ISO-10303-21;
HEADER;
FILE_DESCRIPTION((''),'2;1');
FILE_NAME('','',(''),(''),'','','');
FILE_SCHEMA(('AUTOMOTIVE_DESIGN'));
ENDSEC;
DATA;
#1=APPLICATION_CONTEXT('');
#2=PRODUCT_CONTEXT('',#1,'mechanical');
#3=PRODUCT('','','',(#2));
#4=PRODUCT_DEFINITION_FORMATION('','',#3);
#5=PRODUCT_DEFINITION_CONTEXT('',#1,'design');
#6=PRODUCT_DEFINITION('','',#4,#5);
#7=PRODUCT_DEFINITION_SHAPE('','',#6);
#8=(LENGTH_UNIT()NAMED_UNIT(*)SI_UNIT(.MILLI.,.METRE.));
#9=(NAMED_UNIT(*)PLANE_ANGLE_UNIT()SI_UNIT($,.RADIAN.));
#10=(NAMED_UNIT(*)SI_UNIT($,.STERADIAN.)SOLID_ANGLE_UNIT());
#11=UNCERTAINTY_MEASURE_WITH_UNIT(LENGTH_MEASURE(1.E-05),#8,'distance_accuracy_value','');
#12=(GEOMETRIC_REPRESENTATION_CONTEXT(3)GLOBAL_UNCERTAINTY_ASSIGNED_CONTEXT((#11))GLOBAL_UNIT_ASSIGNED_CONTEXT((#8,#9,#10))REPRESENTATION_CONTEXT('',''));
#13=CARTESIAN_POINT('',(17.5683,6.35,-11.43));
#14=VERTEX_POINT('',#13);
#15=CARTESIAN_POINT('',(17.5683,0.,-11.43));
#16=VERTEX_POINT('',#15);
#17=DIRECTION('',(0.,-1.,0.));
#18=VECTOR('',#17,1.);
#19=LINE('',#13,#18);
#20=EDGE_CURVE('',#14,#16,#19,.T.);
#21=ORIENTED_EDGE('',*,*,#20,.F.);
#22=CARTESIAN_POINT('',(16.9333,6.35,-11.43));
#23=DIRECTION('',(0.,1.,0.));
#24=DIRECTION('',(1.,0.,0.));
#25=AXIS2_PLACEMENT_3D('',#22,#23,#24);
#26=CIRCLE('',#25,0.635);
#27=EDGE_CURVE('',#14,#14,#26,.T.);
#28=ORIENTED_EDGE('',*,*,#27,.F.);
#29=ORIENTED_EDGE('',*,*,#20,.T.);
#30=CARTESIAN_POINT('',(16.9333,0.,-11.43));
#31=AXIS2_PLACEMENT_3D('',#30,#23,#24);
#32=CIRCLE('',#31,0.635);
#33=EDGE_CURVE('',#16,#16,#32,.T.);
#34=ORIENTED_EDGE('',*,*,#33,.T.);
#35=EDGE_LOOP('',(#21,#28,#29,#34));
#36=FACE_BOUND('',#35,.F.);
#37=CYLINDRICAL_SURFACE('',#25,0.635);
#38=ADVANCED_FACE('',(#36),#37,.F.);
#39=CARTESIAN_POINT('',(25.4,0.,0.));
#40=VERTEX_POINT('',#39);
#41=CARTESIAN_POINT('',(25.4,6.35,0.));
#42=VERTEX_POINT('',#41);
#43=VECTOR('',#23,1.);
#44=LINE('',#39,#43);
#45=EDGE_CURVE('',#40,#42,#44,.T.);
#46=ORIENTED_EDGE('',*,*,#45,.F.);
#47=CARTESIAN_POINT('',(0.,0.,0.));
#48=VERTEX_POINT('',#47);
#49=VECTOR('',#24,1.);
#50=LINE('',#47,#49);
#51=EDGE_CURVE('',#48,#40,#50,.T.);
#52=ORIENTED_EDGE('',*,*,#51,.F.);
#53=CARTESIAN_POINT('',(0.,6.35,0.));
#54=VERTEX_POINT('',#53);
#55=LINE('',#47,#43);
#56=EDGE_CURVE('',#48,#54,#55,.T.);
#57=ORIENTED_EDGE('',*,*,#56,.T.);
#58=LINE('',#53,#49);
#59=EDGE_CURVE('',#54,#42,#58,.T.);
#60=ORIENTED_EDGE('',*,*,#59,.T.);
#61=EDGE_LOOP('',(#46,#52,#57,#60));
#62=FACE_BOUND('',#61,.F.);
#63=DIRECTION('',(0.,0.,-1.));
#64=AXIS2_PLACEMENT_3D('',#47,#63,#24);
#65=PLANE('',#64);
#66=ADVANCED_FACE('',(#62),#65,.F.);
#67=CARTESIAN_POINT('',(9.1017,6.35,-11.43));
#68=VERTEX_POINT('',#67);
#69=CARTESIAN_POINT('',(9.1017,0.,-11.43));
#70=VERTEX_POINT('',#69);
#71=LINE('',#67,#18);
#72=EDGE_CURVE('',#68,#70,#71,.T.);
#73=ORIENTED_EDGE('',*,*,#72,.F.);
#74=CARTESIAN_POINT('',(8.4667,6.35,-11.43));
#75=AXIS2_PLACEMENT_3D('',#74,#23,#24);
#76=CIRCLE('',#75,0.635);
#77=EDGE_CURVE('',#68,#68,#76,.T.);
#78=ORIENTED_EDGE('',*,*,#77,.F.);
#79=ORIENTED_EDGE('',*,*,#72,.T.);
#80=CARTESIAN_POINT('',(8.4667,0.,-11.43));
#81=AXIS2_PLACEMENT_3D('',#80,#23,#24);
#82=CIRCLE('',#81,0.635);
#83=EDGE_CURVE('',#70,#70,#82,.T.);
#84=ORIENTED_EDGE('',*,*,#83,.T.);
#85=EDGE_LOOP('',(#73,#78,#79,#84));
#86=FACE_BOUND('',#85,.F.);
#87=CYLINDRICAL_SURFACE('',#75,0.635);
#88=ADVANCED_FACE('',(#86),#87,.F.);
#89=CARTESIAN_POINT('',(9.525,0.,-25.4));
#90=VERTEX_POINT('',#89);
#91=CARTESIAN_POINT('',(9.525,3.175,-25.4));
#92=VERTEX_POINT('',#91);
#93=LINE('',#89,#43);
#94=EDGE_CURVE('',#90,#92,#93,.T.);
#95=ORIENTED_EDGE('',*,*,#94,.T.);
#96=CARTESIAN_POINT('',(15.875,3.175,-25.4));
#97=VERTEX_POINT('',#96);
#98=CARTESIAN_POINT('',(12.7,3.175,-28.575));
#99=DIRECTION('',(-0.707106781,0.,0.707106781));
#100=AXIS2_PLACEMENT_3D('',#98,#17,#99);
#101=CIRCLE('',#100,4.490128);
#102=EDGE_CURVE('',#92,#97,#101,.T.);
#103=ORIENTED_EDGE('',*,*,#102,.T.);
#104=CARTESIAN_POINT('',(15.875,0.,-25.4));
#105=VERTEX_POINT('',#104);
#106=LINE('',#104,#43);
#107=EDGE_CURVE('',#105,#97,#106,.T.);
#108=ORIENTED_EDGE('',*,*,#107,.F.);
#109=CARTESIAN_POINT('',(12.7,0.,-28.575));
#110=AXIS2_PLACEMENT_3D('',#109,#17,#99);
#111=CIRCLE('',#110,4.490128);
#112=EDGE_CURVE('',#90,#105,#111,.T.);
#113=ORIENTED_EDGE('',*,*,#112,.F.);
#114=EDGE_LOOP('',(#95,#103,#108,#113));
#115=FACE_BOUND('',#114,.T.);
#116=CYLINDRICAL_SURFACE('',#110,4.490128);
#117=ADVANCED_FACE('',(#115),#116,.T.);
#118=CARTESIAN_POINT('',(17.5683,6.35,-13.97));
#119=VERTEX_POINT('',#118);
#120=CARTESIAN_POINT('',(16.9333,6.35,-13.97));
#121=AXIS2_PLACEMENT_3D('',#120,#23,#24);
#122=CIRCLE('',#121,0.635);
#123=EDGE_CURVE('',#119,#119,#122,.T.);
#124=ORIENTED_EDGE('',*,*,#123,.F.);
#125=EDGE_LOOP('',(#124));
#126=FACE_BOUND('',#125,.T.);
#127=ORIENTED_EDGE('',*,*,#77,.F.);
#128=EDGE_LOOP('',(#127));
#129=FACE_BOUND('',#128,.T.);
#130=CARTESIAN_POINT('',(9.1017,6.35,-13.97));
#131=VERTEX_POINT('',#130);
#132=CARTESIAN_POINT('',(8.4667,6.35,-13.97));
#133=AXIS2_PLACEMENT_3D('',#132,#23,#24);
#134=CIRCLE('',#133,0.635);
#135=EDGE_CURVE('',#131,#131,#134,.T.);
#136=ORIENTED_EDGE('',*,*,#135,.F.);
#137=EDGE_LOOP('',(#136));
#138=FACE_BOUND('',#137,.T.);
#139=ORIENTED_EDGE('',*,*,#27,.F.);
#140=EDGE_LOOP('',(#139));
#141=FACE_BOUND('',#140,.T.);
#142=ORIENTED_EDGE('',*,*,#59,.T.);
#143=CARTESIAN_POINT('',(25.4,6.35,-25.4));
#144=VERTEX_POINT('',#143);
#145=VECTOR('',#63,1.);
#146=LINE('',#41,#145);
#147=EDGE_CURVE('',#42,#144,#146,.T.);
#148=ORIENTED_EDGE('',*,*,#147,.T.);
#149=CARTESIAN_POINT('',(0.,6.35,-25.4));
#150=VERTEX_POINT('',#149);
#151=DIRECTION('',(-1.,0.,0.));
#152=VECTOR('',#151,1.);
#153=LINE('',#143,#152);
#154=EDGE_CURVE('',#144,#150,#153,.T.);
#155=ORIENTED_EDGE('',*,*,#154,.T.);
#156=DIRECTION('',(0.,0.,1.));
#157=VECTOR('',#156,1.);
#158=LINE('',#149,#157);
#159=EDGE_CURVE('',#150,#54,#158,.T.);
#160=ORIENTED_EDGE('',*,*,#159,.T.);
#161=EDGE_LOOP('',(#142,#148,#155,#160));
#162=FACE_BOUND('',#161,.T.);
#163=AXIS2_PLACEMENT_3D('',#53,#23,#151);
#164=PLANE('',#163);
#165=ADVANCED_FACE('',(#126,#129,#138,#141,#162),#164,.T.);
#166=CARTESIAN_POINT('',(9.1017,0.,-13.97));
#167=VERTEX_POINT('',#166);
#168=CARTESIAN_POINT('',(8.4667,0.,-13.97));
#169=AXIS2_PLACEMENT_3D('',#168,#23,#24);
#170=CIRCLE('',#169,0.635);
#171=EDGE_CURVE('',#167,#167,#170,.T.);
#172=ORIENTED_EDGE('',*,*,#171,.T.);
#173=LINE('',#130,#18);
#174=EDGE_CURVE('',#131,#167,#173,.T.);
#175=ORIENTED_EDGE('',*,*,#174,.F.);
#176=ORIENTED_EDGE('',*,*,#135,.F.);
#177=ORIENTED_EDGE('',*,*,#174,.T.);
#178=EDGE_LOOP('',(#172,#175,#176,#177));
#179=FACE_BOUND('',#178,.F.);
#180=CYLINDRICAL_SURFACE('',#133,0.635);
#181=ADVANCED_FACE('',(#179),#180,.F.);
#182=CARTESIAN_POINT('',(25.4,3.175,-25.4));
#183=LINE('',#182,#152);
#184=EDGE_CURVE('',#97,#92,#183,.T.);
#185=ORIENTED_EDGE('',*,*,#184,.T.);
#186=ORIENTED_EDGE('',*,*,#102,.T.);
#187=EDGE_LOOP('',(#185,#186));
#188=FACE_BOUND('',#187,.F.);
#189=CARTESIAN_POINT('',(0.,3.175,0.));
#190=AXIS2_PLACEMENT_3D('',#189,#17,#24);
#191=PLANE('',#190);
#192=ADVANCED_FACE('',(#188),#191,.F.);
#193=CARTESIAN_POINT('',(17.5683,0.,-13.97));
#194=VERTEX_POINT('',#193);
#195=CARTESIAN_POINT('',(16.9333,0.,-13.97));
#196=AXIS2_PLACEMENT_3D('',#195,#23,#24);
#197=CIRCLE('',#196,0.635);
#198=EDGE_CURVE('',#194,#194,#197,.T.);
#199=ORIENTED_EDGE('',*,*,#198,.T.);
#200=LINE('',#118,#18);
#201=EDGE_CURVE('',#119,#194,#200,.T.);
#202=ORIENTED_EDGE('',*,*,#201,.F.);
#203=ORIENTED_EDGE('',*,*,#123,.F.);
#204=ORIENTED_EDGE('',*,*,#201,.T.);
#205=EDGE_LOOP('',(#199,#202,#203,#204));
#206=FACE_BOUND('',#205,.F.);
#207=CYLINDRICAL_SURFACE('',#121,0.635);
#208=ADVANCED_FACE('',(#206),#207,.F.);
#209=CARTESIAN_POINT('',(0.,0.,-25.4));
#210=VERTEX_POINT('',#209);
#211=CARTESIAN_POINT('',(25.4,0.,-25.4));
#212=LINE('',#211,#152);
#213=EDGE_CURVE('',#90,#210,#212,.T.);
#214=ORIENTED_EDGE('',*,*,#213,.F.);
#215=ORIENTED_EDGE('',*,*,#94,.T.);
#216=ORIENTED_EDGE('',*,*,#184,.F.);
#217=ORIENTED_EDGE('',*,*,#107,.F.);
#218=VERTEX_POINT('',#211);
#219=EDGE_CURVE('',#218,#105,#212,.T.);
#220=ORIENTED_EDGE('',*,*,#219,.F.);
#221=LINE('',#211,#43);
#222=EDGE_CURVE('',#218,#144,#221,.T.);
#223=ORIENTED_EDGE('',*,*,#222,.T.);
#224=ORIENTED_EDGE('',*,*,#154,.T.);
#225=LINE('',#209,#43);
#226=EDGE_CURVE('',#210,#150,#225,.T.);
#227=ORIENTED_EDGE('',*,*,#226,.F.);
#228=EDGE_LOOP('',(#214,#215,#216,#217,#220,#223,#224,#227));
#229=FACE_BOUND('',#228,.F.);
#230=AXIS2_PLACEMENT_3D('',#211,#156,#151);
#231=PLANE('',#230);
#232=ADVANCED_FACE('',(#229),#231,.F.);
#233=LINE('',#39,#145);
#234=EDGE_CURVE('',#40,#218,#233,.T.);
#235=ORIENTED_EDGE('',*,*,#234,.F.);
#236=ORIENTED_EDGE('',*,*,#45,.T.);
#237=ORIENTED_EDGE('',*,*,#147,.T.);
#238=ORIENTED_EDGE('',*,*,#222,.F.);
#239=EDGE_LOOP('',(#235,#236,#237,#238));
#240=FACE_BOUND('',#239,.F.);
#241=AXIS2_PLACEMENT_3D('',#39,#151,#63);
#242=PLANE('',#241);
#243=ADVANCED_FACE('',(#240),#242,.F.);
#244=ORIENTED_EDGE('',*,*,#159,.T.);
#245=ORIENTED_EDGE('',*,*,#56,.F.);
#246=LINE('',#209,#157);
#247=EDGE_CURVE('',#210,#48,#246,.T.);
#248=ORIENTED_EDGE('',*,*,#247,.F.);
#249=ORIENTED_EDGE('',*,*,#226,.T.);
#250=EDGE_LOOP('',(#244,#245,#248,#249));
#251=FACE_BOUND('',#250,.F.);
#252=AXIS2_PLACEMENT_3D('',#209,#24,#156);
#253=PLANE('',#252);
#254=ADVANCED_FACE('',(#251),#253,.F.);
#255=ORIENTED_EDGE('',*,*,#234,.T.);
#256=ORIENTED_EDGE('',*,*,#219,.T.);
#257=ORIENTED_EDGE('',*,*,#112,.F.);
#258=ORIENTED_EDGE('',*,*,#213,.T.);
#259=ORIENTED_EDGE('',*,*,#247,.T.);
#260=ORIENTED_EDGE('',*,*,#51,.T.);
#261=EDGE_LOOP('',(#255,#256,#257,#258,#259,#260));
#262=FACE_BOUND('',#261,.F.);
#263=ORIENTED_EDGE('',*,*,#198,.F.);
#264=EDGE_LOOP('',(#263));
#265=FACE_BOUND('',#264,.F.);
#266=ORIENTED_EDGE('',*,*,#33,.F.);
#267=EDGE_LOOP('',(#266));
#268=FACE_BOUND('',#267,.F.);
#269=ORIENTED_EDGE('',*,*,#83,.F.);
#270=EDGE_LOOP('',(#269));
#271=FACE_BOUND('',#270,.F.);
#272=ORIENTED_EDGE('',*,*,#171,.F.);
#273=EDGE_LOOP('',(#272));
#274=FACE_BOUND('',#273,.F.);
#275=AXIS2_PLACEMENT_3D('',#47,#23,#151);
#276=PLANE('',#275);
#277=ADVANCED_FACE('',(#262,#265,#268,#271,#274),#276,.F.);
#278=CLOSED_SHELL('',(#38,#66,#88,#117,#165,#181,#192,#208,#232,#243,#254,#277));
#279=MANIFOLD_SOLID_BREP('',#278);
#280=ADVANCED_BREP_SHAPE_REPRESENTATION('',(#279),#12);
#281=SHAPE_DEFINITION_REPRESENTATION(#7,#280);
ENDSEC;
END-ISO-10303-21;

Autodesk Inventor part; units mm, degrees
ref_plane "YZ Plane" through (0, 0, 0) normal (1, 0, 0) x (0, 1, 0)
ref_plane "XZ Plane" through (0, 0, 0) normal (0, 1, 0) x (-1, 0, 0)
ref_plane "XY Plane" through (0, 0, 0) normal (0, 0, 1) x (1, 0, 0)
sketch "Sketch1" plane through (0, 0, 0) normal (0, 1, 0) x (-1, 0, 0)
  line L0 (0, 0) -> (-25.4, 0)
  line L1 (-25.4, 0) -> (-25.4, -25.4)
  line L2 (-25.4, -25.4) -> (0, -25.4)
  line L3 (0, -25.4) -> (0, 0)
  dimension "d0" = 25.4
extrude "Extrusion1" add sketch "Sketch1" along normal blind 6.35
sketch "Sketch2" plane through (0, 6.35, 0) normal (0, 1, 0) x (1, 0, 0)
  circle A0 centre (8.4667, 13.97) radius 0.635
  circle A1 centre (16.9333, 13.97) radius 0.635
  circle A2 centre (16.9333, 11.43) radius 0.635
  circle A3 centre (8.4667, 11.43) radius 0.635
  line L0 (25.4, 0) -> (25.4, 25.4) projected
  line L1 (0, 0) -> (25.4, 0) projected
  dimension "d3" = 8.4667
  dimension "d4" = 8.4667
  dimension "d5" = 2.54
  dimension "d6" = 1.27
  dimension "d7" = 11.43
extrude "Extrusion2" cut sketch "Sketch2" against normal blind 6.35
sketch "Sketch4" plane through (0, 0, 0) normal (0, -1, 0) x (1, 0, 0)
  line L0 (25.4, -25.4) -> (0, -25.4) projected
  arc A0 (9.525, -25.4) -> (15.875, -25.4) centre (12.7, -28.575) ccw
  line L1 (15.875, -25.4) -> (9.525, -25.4)
  point P0 (0, 0)
  dimension "d10" = 90
  dimension "d11" = 6.35
  dimension "d12" = 9.525
extrude "Extrusion3" add sketch "Sketch4" against normal blind 3.175
equation "\"d1\" = 0.25 * d0"
equation "\"d3\" = 0.333333 * d0"
equation "\"d4\" = d3"
equation "\"d8\" = 0.25 * d0"
equation "\"d11\" = 0.25 * d0"
equation "\"d12\" = 0.375 * d0"
equation "\"d13\" = 0.5 * d1"
properties part number "pieceBase"
